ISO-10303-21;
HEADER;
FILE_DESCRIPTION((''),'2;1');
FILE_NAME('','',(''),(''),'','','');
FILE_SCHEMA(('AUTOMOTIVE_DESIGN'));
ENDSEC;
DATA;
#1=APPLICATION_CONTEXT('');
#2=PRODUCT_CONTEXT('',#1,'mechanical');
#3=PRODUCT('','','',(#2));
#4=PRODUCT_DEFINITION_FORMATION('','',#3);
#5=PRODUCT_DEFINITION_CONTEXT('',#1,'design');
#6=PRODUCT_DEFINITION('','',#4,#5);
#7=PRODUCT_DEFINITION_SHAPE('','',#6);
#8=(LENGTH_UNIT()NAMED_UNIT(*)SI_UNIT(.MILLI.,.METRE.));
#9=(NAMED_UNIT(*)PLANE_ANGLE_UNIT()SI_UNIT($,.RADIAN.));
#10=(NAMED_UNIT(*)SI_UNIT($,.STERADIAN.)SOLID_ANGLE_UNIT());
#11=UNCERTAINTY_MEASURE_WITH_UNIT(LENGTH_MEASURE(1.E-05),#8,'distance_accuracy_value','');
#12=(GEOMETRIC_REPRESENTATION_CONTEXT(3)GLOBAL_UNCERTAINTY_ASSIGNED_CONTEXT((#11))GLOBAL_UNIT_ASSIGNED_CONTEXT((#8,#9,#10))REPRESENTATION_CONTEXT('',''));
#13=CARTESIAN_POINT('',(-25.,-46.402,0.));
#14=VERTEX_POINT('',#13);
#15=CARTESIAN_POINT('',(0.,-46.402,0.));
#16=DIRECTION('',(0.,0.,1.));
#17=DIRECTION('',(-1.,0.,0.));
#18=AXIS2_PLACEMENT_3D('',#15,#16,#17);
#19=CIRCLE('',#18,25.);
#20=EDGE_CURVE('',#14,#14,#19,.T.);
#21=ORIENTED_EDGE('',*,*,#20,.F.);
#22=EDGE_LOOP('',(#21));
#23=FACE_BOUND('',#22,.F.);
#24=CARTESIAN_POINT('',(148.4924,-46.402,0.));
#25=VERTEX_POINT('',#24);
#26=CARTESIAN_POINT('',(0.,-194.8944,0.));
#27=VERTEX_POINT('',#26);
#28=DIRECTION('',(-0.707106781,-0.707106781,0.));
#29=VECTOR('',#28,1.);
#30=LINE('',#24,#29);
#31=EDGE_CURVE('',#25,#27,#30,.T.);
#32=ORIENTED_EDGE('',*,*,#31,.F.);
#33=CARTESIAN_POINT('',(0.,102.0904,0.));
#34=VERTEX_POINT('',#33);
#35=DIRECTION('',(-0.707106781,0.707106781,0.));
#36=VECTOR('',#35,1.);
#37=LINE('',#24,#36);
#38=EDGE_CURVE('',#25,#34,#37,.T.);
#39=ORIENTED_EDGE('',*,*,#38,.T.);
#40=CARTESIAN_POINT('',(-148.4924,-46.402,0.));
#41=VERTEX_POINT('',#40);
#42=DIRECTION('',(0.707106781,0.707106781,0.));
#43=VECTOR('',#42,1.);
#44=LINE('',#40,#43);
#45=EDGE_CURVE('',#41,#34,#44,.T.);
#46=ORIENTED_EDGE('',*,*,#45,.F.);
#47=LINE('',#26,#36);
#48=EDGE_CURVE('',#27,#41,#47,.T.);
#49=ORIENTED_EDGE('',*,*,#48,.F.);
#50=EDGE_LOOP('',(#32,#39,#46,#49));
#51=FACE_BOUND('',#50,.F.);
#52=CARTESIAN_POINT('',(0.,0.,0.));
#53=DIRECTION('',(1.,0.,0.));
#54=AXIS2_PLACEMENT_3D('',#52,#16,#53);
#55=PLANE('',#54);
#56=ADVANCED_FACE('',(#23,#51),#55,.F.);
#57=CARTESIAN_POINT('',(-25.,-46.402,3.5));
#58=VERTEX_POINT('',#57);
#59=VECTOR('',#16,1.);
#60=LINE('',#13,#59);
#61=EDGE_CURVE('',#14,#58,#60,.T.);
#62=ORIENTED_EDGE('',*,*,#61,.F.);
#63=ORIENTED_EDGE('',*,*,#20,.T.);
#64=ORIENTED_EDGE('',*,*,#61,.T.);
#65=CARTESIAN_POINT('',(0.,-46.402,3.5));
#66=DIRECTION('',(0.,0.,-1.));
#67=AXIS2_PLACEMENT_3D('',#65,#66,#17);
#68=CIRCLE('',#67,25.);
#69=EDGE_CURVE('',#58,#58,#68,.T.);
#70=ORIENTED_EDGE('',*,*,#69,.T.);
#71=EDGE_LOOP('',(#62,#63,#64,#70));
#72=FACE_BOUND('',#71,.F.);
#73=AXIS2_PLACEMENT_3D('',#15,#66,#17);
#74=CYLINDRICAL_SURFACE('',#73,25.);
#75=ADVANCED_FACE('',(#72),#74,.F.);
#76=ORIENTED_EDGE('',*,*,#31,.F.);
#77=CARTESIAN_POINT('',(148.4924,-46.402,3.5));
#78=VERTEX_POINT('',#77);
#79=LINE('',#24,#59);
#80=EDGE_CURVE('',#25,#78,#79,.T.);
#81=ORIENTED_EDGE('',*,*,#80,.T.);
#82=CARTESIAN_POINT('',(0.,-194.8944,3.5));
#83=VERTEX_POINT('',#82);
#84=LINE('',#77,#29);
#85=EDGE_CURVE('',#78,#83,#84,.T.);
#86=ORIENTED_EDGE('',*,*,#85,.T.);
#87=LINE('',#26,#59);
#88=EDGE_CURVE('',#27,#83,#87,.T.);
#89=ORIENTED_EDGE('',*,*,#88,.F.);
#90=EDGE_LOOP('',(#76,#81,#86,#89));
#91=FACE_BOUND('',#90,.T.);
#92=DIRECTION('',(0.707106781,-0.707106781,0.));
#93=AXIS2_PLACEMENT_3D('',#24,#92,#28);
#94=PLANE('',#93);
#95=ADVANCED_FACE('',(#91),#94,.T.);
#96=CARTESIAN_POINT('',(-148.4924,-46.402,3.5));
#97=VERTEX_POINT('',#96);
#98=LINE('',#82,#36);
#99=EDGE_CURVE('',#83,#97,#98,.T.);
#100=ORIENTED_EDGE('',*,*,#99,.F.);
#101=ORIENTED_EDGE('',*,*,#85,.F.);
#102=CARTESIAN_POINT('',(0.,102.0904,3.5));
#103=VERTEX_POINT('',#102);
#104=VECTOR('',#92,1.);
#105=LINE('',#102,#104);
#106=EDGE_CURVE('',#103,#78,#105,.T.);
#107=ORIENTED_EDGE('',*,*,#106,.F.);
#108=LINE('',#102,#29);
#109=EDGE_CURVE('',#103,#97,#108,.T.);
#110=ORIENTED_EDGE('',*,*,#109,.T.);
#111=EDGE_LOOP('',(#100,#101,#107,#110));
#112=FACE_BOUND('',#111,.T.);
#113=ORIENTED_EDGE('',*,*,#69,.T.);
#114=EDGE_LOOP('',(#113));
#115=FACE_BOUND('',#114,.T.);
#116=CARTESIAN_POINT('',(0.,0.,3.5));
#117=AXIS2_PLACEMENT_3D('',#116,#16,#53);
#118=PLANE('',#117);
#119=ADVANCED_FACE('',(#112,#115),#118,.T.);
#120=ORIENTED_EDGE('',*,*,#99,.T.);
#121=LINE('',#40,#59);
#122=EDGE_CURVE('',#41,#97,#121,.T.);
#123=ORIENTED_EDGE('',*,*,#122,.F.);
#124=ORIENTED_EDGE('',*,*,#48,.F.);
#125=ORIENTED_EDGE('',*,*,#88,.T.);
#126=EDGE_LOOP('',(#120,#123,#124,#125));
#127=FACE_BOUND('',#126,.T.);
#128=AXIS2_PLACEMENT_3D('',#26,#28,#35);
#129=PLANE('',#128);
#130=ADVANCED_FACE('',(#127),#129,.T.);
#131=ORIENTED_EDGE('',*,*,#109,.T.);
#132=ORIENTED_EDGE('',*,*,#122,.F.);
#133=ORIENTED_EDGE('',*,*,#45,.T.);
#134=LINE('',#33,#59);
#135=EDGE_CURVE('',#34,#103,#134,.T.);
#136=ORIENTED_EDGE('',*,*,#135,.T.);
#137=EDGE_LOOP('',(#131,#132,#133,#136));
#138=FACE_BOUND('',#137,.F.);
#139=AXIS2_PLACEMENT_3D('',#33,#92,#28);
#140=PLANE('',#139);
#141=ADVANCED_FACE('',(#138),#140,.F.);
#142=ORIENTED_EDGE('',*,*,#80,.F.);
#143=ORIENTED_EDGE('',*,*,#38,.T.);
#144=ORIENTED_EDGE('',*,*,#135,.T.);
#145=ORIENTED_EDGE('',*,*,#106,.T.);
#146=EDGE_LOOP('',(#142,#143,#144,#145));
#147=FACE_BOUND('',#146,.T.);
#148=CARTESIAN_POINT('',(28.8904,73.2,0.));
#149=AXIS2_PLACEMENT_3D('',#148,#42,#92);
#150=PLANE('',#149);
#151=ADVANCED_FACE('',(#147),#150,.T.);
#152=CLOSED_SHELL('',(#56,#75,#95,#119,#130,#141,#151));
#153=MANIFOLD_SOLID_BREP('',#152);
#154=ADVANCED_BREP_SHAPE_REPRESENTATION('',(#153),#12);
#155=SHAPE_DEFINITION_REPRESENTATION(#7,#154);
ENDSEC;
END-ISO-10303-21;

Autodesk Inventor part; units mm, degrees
ref_plane "YZ Plane" through (0, 0, 0) normal (1, 0, 0) x (0, 1, 0)
ref_plane "XZ Plane" through (0, 0, 0) normal (0, 1, 0) x (-1, 0, 0)
ref_plane "XY Plane" through (0, 0, 0) normal (0, 0, 1) x (1, 0, 0)
sketch "Sketch1" plane through (0, 0, 0) normal (0, 0, 1) x (1, 0, 0)
  line L0 (20, 22.75) -> (-20, 22.75) projected
  line L1 (8, 74.45) -> (-8, 74.45) projected
  line L2 (0, 22.75) -> (0, 133.134)
  line L3 (28.8904, 63.2) -> (28.8904, 73.2) projected
  line L4 (28.8904, 73.2) -> (0, 102.0904)
  line L5 (28.8904, 73.2) -> (69.7476, 73.2) construction
  line L6 (0, 102.0904) -> (-36.5211, 65.5693)
  line L7 (0, 102.0904) -> (148.4924, -46.402)
  line L8 (148.4924, -46.402) -> (0, -194.8944)
  line L9 (0, -194.8944) -> (-148.4924, -46.402)
  line L10 (-148.4924, -46.402) -> (0, 102.0904)
  line L11 (0, 102.0904) -> (210, 102.0904) construction
  point P0 (0, 0)
  dimension "d0" = 135
  dimension "d1" = 90
  dimension "d2" = 210
  dimension "d3" = 45
  dimension "d4" = 210
extrude "Extrusion1" add sketch "Sketch1" along normal blind 3.5
sketch "Sketch2" plane through (0, 0, 0) normal (0, 0, -1) x (-1, 0, 0)
  line L0 (0, 102.0904) -> (148.4924, -46.402) projected
  line L1 (-148.4924, -46.402) -> (0, 102.0904) projected
  line L2 (0, -194.8944) -> (-148.4924, -46.402) projected
  line L3 (148.4924, -46.402) -> (0, -194.8944) projected
  line L4 (-148.4924, -46.402) -> (148.4924, -46.402)
  line L5 (0, -194.8944) -> (0, 102.0904)
  circle A0 centre (0, -46.402) radius 25
  point P0 (0, 0)
  dimension "d8" = 50
extrude "Extrusion2" cut sketch "Sketch2" against normal blind 50 contours A0 L4 L5 | L5 L4 A0 | A0 L5 L4 | L4 L5 A0
equation "\"d9\" = d8"
properties part number "MainBase210"
